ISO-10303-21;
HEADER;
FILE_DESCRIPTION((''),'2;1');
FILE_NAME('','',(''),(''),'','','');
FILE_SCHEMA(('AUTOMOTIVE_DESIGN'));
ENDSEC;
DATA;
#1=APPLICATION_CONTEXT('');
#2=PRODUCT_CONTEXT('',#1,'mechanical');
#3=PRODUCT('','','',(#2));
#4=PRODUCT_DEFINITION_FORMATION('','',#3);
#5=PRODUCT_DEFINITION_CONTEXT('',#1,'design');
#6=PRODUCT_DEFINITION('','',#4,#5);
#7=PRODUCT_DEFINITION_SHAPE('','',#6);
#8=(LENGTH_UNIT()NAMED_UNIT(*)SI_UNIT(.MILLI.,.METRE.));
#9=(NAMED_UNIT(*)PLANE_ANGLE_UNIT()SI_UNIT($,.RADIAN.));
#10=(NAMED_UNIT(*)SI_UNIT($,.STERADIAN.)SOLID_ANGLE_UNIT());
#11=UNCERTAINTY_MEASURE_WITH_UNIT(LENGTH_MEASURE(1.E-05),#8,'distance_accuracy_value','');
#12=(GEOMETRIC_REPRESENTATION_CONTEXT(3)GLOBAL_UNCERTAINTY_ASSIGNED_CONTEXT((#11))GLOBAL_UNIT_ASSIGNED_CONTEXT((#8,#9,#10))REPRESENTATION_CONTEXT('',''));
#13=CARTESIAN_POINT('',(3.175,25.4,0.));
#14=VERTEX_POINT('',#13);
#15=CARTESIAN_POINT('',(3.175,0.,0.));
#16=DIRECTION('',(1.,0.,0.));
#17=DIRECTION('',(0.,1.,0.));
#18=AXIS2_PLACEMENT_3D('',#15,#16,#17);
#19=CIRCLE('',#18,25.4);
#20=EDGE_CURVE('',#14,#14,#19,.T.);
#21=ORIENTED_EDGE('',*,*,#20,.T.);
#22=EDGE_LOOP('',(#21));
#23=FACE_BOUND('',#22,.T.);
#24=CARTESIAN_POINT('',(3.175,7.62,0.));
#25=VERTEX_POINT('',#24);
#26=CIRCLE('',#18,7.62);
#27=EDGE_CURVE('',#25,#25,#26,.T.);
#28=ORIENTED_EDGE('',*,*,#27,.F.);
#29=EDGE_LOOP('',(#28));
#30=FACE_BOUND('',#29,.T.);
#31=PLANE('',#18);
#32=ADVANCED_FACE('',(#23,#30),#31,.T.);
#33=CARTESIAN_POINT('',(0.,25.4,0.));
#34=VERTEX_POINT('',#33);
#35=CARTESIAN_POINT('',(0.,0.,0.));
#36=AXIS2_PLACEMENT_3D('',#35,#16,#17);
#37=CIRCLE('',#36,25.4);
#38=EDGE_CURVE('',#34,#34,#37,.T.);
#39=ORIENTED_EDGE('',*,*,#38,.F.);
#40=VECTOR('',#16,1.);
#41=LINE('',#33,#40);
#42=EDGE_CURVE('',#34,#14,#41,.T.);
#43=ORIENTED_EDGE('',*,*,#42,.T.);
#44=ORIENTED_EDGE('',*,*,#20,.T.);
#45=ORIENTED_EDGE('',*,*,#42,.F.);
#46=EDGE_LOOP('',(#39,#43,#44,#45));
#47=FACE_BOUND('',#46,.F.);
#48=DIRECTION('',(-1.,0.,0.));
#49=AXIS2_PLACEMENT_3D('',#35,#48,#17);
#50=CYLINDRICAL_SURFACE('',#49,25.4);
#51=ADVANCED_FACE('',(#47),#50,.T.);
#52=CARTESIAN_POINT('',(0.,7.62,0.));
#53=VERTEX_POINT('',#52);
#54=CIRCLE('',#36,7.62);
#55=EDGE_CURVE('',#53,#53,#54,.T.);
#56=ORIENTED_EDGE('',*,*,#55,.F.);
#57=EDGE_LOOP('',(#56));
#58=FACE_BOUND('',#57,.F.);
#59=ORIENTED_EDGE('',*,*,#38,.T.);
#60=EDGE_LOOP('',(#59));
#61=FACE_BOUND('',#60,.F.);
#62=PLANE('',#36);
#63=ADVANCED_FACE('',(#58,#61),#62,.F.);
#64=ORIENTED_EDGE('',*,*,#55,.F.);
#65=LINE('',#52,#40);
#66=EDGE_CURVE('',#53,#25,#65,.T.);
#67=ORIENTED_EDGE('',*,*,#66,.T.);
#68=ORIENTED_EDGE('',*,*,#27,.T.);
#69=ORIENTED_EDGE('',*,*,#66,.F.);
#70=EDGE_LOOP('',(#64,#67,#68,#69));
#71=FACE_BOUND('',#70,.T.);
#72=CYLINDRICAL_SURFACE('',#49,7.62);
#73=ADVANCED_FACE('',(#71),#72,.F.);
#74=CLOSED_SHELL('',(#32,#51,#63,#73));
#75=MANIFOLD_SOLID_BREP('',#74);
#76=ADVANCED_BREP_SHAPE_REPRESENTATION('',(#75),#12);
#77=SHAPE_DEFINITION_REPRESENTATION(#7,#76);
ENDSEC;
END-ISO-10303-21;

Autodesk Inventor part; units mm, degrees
ref_plane "YZ Plane" through (0, 0, 0) normal (1, 0, 0) x (0, 1, 0)
ref_plane "XZ Plane" through (0, 0, 0) normal (0, 1, 0) x (-1, 0, 0)
ref_plane "XY Plane" through (0, 0, 0) normal (0, 0, 1) x (1, 0, 0)
sketch "Sketch1" plane through (0, 0, 0) normal (1, 0, 0) x (0, 1, 0)
  circle A0 centre (0, 0) radius 7.62
  circle A1 centre (0, 0) radius 25.4
  dimension "d2" = 15.24
  dimension "d3" = 50.8
extrude "Extrusion1" add sketch "Sketch1" along normal blind 3.175
properties part number "InSpace2"
